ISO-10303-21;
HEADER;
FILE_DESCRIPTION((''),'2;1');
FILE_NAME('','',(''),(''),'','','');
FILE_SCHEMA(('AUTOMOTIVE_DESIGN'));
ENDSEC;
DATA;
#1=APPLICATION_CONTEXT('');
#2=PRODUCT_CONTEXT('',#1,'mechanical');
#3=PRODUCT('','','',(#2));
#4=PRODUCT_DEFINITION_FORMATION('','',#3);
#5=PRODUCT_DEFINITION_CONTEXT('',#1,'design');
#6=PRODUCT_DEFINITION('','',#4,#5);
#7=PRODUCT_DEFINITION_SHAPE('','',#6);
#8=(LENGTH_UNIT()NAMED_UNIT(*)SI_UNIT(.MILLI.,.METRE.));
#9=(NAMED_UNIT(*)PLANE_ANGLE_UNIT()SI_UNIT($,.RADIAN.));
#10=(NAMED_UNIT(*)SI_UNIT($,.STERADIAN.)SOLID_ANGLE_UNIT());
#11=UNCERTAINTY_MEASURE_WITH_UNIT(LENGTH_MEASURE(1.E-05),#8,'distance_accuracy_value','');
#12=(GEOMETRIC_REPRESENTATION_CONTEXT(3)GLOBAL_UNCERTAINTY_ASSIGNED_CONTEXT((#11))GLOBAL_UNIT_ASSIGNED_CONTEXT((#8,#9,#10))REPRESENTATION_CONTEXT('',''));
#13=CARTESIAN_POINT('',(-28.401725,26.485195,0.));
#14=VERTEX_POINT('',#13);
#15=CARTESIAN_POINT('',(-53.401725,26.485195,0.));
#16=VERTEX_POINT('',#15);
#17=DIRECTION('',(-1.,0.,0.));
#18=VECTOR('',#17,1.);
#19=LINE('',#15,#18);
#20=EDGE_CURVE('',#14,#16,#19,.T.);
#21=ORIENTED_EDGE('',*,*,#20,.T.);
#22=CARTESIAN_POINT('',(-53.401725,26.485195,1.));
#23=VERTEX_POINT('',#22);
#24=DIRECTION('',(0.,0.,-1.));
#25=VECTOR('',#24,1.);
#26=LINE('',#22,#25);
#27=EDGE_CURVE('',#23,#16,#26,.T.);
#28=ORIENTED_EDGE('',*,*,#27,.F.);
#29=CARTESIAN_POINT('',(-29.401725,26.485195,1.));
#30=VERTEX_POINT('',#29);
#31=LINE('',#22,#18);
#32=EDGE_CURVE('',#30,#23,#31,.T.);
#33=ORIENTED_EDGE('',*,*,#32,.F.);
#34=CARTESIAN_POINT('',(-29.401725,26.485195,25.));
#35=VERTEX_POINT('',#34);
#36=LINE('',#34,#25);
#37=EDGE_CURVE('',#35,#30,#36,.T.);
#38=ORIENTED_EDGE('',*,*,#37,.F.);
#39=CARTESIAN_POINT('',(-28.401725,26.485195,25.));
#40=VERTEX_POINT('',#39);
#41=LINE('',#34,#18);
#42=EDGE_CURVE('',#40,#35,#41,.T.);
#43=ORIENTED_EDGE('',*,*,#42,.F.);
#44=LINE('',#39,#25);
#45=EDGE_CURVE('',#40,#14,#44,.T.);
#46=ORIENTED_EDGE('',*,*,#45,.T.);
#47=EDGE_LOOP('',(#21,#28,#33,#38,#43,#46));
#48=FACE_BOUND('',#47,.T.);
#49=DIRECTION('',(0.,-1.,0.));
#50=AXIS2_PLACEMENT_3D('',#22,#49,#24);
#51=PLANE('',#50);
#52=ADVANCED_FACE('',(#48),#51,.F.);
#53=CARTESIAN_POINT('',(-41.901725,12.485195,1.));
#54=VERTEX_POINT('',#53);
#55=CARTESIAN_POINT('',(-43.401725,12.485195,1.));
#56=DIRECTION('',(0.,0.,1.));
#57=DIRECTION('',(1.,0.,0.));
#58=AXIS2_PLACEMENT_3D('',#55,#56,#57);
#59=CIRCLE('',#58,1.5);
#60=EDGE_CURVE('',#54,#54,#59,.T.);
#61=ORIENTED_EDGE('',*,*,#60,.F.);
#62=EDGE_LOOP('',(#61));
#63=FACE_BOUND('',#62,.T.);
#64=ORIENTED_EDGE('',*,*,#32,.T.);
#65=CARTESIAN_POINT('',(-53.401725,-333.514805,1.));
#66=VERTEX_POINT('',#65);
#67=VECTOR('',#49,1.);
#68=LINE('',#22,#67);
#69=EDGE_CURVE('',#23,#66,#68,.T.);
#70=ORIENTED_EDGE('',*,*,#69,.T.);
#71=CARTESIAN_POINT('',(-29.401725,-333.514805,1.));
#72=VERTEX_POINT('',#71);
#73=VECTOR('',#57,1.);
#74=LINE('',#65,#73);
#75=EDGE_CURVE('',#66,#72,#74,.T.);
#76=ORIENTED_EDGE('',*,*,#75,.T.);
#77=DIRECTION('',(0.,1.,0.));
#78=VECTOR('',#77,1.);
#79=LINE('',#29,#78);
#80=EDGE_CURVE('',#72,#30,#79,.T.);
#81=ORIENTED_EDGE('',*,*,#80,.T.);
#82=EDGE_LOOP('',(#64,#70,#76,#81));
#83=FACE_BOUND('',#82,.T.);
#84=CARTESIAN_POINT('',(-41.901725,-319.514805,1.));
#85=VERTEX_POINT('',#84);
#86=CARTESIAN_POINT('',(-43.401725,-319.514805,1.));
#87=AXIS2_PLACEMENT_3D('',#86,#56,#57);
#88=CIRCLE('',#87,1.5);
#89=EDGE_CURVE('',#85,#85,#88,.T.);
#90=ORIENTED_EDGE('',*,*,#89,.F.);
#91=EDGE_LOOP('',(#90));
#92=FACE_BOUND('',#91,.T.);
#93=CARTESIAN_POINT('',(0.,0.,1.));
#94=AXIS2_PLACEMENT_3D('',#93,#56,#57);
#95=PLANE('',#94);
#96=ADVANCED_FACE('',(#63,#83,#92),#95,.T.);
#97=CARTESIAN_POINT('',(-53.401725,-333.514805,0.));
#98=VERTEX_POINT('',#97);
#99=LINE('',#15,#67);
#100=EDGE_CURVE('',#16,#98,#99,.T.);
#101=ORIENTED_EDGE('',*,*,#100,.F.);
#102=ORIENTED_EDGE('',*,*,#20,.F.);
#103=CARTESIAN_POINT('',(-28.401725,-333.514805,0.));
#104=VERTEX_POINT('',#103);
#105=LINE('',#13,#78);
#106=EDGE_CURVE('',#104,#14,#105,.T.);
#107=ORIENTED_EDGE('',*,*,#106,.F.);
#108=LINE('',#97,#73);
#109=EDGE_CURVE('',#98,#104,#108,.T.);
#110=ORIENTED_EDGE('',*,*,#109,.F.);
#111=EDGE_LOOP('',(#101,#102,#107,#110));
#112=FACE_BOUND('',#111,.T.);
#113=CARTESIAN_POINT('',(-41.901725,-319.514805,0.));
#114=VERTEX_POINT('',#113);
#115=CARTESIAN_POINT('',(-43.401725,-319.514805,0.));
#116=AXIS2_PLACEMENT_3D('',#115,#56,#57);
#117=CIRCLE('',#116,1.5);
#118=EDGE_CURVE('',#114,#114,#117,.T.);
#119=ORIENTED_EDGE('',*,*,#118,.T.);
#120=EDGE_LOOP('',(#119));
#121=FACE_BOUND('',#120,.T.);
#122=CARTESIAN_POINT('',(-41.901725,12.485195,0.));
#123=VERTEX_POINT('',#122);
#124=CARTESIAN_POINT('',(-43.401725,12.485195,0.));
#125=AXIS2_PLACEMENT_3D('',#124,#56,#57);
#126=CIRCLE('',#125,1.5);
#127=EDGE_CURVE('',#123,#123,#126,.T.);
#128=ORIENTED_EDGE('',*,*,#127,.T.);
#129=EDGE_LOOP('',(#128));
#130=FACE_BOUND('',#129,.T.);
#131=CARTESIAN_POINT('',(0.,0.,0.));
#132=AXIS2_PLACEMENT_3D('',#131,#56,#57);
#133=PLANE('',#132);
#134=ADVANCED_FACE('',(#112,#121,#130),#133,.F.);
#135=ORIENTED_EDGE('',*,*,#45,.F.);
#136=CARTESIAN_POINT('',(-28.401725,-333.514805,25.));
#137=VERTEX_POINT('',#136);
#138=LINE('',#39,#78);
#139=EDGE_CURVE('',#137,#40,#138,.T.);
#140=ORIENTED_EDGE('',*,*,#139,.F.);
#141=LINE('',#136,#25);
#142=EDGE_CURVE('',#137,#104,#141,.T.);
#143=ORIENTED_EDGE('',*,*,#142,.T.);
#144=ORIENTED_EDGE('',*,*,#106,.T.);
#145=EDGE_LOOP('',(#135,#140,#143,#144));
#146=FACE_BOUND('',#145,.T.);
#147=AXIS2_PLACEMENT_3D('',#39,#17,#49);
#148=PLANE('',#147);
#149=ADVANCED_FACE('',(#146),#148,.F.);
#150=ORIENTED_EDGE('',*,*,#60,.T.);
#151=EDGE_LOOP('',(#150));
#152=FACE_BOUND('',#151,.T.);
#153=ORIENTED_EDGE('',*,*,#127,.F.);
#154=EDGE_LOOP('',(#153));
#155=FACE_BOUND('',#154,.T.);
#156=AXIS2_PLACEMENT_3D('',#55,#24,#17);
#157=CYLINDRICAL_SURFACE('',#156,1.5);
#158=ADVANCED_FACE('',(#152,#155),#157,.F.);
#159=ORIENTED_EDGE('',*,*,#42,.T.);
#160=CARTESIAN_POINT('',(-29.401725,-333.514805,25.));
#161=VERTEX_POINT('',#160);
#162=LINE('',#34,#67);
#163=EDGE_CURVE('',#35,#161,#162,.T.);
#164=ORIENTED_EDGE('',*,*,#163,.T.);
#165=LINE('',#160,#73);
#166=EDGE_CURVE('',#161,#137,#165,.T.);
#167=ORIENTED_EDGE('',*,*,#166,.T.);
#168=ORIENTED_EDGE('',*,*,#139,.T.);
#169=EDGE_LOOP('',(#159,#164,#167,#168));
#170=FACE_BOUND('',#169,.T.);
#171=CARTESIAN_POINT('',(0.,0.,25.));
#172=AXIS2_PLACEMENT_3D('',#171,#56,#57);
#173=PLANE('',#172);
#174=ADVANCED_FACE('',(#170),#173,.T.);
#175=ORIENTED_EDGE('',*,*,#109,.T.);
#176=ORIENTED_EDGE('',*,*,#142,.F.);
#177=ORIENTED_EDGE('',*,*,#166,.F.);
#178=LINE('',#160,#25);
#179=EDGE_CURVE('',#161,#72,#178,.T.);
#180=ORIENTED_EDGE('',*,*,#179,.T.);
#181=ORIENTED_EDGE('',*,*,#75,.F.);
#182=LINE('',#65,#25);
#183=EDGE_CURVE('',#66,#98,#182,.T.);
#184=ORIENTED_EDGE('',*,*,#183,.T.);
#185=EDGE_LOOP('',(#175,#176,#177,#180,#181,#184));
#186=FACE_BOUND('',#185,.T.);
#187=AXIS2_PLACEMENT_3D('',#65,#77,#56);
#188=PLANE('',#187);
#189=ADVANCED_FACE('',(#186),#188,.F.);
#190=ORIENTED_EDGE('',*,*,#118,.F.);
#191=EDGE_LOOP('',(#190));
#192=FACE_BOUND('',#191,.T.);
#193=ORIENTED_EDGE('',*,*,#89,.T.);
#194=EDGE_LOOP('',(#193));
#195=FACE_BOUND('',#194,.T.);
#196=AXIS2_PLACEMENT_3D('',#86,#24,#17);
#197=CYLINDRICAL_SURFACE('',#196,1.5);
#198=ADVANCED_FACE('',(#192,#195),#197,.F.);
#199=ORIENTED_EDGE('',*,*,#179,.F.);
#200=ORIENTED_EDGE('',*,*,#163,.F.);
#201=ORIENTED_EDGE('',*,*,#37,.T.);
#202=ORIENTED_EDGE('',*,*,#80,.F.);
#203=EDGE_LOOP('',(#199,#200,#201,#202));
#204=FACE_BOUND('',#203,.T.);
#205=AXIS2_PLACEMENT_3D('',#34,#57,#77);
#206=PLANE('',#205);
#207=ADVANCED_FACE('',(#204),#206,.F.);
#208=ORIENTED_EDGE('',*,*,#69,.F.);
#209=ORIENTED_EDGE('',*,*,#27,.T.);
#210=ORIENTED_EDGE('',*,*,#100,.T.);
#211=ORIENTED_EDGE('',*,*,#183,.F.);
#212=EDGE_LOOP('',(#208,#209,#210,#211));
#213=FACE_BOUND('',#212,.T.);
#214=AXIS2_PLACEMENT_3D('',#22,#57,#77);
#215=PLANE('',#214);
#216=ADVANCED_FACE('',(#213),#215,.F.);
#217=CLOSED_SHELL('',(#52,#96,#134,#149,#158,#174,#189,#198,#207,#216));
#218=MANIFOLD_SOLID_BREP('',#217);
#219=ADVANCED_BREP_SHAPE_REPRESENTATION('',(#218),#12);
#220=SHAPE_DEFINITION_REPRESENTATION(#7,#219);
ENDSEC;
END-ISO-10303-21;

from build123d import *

# Parameters (mm, degrees)
CROQUIS1_W              = 24
CROQUIS1_H              = 360
CROQUIS1_R              = 1.5
SALIENTE_EXTRUIR1_DEPTH = 1
CROQUIS2_W              = 1
CROQUIS2_H              = 360
SALIENTE_EXTRUIR2_DEPTH = 25


with BuildPart() as part:
    # Croquis1 → Saliente-Extruir1 (new body)
    with BuildSketch(Plane.XY):
        with Locations((-41.401725042, -153.514805415)):
            Rectangle(CROQUIS1_W, CROQUIS1_H)
        with Locations((-43.401725042, 12.485194585)):
            Circle(CROQUIS1_R, mode=Mode.SUBTRACT)
        with Locations((-43.401725042, -319.514805415)):
            Circle(CROQUIS1_R, mode=Mode.SUBTRACT)
    extrude(amount=SALIENTE_EXTRUIR1_DEPTH)

    # Croquis2 → Saliente-Extruir2 (add)
    with BuildSketch(Plane.XY):
        with Locations((-28.901725042, -153.514805415)):
            Rectangle(CROQUIS2_W, CROQUIS2_H)
    extrude(amount=SALIENTE_EXTRUIR2_DEPTH)


solid = part.part
